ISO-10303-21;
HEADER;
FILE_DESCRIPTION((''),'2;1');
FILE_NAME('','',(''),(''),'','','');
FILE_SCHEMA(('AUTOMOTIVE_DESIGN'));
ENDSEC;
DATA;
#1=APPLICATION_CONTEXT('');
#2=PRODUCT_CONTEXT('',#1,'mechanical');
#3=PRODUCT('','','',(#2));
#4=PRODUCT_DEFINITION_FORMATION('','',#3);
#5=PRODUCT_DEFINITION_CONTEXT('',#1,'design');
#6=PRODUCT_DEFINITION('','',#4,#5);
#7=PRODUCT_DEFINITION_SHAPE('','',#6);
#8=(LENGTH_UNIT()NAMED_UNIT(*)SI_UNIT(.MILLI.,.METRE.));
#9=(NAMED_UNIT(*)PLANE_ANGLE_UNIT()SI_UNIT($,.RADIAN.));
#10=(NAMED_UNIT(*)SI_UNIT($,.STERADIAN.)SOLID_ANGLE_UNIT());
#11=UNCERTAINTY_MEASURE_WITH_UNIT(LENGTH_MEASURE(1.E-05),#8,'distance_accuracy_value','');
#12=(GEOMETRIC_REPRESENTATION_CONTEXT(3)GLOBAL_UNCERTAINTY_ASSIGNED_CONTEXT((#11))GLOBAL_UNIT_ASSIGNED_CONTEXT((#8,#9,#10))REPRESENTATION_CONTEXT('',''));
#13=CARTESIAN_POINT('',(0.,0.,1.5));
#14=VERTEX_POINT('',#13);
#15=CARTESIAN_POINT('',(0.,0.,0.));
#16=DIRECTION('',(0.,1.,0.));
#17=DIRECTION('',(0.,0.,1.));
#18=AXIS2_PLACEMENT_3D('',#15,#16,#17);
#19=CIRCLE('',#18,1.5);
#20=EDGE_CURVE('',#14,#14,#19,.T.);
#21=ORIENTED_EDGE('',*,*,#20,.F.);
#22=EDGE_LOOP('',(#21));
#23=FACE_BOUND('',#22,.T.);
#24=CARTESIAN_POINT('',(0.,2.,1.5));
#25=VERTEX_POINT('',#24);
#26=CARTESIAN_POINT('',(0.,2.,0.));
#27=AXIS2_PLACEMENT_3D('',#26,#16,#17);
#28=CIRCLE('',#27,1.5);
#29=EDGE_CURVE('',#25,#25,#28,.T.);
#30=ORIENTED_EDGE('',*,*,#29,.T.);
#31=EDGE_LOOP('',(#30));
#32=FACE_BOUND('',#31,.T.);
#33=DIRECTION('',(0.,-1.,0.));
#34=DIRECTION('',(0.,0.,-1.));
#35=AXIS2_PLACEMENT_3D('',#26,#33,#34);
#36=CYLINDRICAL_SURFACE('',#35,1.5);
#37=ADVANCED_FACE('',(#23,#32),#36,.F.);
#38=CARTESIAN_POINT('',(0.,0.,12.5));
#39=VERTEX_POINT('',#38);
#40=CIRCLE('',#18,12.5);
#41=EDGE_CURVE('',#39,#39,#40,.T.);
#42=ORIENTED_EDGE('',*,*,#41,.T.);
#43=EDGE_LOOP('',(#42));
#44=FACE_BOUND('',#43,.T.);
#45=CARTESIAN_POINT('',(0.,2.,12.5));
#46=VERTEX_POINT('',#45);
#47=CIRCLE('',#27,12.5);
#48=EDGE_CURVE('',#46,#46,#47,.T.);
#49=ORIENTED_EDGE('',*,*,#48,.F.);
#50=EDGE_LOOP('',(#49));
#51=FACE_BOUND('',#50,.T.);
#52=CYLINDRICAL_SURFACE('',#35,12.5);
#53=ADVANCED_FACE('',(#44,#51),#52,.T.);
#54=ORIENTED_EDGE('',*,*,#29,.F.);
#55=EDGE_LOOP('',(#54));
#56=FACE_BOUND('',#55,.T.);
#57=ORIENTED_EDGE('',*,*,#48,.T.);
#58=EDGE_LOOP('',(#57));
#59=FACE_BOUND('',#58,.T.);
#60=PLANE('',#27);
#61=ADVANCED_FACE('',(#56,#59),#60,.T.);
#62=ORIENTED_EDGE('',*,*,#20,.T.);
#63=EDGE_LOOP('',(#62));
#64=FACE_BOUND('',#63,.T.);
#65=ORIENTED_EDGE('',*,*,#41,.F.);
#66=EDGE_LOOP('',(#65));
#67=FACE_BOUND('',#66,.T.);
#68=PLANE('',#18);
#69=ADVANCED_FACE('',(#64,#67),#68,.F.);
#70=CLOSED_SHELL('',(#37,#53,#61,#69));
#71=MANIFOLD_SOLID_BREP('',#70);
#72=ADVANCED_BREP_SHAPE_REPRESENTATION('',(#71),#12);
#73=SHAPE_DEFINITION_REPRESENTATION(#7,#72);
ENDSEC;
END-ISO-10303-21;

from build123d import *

# Parameters (mm, degrees)
SKETCH1_R           = 12.5
SKETCH1_R_2         = 1.5
BOSS_EXTRUDE1_DEPTH = 2


with BuildPart() as part:
    # Sketch1 → Boss-Extrude1 (new body)
    with BuildSketch(Plane(origin=(0, 0, 0), x_dir=(1, 0, 0), z_dir=(0, 1, 0))):
        with Locations(Location((0, 0, 0), (0, 0, 270))):
            Circle(SKETCH1_R)
        with Locations(Location((0, 0, 0), (0, 0, 270))):
            Circle(SKETCH1_R_2, mode=Mode.SUBTRACT)
    extrude(amount=BOSS_EXTRUDE1_DEPTH)


solid = part.part
